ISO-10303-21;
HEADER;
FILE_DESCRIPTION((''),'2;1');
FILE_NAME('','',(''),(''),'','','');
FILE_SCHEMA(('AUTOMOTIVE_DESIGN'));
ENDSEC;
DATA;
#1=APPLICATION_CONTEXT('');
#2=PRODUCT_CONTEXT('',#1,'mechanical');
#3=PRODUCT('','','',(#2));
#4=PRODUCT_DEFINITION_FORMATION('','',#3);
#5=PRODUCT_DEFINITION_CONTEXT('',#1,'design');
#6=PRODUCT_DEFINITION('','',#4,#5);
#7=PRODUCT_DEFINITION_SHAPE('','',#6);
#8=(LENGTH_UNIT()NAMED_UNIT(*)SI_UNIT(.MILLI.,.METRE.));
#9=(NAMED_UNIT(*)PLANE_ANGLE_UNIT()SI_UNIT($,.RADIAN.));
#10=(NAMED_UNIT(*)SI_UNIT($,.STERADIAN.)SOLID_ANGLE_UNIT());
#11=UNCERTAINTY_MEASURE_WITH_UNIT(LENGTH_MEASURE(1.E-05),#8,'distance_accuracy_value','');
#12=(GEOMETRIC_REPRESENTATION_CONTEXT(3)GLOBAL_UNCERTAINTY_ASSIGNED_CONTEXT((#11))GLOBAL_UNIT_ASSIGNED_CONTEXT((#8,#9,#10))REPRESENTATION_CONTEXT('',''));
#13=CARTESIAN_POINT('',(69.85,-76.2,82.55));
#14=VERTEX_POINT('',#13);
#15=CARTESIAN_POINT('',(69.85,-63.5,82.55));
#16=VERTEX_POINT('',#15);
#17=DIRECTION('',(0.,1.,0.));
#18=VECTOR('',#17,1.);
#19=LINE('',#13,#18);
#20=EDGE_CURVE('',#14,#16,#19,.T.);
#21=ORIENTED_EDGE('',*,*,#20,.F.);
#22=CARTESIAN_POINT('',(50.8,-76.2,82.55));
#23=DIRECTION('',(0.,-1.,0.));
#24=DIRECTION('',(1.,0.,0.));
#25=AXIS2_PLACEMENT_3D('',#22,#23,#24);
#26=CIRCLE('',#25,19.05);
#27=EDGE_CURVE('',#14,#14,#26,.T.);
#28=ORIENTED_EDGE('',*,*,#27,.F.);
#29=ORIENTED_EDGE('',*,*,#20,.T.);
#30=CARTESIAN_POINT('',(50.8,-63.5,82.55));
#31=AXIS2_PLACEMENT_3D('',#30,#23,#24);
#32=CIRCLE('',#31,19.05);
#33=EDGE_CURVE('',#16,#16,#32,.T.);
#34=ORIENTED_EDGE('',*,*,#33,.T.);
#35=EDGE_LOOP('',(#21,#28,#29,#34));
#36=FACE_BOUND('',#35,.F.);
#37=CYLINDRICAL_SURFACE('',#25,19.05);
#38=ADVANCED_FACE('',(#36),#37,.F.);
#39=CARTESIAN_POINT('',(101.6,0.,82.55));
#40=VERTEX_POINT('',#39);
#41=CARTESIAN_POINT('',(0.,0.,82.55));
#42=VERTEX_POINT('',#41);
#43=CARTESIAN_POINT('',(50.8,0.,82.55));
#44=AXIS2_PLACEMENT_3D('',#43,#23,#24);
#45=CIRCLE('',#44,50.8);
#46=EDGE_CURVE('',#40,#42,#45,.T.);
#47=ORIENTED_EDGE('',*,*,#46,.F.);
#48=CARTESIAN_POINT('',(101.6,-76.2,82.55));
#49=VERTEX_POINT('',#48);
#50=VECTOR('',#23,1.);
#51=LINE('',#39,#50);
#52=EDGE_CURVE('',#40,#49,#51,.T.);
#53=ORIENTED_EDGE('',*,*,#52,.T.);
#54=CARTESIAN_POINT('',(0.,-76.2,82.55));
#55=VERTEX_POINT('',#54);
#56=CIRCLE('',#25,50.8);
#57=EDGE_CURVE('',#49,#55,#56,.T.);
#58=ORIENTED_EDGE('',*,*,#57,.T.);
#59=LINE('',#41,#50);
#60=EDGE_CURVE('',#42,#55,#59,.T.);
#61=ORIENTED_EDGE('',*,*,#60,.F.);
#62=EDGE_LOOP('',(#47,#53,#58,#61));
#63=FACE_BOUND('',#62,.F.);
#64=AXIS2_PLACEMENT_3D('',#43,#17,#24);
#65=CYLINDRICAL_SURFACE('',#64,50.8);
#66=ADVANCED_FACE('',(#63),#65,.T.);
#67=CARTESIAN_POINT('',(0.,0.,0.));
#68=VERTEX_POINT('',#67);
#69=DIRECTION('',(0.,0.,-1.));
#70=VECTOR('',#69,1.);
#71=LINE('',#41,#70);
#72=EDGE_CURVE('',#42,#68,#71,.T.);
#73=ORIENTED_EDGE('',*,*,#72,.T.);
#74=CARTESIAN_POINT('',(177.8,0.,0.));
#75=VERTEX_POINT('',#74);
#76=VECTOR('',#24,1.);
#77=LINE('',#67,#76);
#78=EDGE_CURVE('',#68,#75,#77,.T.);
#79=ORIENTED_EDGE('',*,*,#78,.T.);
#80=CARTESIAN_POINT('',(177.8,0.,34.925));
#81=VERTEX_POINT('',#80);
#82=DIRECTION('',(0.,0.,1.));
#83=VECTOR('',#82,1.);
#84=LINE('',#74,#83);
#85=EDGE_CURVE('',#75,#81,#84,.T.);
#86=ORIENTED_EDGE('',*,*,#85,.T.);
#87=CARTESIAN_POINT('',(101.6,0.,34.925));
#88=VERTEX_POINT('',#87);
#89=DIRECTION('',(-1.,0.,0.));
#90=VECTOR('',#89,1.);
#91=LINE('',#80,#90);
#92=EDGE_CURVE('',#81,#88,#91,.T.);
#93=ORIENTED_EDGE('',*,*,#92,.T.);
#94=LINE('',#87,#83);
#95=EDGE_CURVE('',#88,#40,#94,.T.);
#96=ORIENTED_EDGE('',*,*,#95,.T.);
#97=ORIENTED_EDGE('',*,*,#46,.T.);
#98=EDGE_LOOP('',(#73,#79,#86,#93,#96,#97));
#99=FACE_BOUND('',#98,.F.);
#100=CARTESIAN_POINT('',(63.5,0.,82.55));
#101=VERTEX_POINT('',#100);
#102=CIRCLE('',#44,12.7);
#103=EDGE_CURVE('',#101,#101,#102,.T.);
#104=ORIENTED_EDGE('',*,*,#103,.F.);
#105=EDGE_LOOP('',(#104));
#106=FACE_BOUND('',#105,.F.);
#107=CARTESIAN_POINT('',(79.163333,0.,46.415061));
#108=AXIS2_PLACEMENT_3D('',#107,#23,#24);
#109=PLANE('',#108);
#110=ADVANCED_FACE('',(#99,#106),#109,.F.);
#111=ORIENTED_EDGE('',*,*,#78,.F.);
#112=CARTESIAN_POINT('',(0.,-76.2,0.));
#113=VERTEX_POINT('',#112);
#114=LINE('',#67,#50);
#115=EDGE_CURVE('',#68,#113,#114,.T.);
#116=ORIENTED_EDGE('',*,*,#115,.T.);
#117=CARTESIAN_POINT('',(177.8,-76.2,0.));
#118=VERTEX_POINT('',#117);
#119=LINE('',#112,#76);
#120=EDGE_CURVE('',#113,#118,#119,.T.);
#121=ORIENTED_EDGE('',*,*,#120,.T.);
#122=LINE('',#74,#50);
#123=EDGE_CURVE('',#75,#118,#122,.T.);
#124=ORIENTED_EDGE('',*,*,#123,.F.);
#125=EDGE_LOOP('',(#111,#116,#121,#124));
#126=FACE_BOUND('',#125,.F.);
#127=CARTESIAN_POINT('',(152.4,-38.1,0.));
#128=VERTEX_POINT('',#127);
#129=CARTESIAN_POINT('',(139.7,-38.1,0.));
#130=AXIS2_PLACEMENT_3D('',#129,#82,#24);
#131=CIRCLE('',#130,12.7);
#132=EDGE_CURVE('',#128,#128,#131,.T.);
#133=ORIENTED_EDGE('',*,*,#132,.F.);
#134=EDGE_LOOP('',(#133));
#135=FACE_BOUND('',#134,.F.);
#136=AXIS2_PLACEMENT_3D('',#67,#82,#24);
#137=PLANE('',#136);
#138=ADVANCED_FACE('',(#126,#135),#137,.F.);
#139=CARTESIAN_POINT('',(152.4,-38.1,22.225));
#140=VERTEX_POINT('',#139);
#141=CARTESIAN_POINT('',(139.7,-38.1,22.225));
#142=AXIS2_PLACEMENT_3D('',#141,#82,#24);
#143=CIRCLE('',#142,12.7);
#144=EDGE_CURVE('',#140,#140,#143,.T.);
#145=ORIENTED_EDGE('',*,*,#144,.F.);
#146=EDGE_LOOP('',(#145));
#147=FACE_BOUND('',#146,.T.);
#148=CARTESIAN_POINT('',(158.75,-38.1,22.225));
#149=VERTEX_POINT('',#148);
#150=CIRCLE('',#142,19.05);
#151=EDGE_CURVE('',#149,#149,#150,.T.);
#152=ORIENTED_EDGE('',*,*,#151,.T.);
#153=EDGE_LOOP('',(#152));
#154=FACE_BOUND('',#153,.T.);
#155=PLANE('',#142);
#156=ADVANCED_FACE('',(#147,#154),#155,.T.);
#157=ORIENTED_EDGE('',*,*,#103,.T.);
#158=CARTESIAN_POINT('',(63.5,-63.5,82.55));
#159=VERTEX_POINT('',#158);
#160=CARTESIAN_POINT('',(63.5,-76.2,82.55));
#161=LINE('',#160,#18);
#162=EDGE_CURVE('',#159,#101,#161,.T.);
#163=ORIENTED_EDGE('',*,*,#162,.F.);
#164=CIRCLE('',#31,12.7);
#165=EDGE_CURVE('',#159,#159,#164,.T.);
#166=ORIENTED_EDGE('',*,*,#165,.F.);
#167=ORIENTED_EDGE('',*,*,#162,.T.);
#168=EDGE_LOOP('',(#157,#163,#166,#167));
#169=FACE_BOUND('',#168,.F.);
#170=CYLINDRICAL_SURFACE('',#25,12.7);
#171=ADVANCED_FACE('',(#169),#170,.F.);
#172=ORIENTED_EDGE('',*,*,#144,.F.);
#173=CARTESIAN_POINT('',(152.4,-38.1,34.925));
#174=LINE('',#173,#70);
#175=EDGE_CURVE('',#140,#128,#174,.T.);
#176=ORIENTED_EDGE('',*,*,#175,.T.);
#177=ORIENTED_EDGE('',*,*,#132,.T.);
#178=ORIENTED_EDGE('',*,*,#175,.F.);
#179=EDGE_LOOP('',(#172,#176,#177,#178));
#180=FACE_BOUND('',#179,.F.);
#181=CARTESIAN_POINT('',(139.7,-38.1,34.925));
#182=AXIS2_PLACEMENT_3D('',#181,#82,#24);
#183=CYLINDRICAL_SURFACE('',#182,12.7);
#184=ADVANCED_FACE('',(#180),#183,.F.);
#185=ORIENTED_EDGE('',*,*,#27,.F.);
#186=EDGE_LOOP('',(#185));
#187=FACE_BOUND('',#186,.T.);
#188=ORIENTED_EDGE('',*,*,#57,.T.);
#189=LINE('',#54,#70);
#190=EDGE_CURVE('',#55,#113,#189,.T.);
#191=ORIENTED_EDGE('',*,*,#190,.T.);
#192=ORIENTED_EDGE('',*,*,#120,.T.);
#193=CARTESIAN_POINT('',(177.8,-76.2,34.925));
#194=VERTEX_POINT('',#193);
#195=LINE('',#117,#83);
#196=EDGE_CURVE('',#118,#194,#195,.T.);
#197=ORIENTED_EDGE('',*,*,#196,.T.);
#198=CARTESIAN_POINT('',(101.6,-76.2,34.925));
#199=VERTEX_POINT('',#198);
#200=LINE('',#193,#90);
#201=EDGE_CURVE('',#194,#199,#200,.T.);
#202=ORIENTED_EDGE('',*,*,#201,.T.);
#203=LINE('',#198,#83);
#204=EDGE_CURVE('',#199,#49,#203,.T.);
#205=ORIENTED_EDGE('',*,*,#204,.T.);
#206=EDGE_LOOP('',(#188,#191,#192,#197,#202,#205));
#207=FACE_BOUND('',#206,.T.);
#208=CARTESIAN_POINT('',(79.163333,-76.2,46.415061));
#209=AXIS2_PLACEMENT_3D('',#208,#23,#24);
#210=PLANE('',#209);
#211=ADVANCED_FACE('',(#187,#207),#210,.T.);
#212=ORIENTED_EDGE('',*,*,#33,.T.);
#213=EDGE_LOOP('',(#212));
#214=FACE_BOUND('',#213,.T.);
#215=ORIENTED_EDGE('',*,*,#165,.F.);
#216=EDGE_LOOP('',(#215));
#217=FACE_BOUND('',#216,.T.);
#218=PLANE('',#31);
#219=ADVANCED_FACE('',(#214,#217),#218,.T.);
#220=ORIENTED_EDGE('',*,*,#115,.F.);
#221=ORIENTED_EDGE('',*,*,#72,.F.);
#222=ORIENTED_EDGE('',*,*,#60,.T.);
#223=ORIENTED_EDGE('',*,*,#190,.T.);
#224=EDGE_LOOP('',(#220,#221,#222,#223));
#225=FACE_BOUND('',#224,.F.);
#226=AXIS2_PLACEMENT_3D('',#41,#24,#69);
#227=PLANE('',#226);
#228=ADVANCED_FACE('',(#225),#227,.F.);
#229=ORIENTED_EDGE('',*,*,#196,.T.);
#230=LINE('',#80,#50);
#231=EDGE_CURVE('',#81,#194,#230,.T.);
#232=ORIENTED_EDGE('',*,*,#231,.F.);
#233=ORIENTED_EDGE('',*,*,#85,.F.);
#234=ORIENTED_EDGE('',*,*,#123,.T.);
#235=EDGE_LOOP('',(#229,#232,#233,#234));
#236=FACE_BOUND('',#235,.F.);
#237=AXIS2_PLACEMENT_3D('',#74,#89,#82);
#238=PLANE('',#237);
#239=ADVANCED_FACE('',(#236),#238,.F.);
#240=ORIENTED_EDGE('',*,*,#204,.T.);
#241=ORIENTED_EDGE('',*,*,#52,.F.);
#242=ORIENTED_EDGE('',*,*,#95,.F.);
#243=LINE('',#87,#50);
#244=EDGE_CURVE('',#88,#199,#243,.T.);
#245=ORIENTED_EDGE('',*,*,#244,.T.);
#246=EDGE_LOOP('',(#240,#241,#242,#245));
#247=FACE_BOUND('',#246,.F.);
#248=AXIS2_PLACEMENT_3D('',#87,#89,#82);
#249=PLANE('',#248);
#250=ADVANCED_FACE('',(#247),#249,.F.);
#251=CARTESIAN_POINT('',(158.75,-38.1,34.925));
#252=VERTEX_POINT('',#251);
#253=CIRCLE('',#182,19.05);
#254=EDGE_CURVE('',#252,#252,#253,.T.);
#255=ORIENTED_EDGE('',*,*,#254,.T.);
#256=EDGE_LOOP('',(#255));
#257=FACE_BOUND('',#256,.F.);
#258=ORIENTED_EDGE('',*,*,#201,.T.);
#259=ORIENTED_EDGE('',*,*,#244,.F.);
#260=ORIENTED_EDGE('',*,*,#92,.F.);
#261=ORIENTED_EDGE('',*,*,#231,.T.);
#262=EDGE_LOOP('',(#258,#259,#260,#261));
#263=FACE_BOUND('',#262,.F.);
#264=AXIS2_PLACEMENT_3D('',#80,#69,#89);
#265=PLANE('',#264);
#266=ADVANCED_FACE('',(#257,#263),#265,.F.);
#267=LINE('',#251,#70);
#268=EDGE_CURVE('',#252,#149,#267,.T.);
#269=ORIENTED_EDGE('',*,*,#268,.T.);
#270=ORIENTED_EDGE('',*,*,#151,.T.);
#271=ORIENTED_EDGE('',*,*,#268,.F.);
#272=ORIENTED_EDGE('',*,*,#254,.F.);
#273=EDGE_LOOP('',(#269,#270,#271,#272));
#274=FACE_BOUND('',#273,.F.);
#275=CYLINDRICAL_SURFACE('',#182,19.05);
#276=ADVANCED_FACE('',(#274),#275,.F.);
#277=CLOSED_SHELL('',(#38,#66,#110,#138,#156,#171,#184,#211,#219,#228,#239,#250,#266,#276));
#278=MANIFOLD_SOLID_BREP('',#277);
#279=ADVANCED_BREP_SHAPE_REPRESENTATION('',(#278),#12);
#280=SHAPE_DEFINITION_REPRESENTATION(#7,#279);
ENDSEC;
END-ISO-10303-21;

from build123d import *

# Parameters (mm, degrees)
F1_DEPTH = 76.2
F2_R     = 19.05
F3_DEPTH = 12.7
F4_R     = 12.7
F5_DEPTH = 76.201
F6_R     = 19.05
F7_DEPTH = 12.7
F8_R     = 12.7
F9_DEPTH = 34.926


with BuildPart() as f1:
    # F0 (on Front) → F1 (new body)
    with BuildSketch(Plane.XZ):
        with BuildLine():
            Line((0, 82.55), (0, 0))
            Line((0, 0), (177.8, 0))
            Line((177.8, 0), (177.8, 34.925))
            Line((177.8, 34.925), (101.6, 34.925))
            Line((101.6, 34.925), (101.6, 82.55))
            ThreePointArc((101.6, 82.55), (50.8, 133.35), (0, 82.55))
        make_face()
    extrude(amount=F1_DEPTH)

    # F2 (on face) → F3 (cut)
    with BuildSketch(Plane.XZ.offset(76.2)):
        with Locations((50.8, 82.55)):
            Circle(F2_R)
    extrude(amount=-F3_DEPTH, mode=Mode.SUBTRACT)

    # F4 (on face) → F5 (cut, through all)
    with BuildSketch(Plane.XZ.offset(76.2)):
        with Locations((50.8, 82.55)):
            Circle(F4_R)
    extrude(amount=-F5_DEPTH, mode=Mode.SUBTRACT)

    # F6 (on face) → F7 (cut)
    with BuildSketch(Plane.XY.offset(34.925)):
        with Locations((139.7, -38.1)):
            Circle(F6_R)
    extrude(amount=-F7_DEPTH, mode=Mode.SUBTRACT)

    # F8 (on face) → F9 (cut, through all)
    with BuildSketch(Plane.XY.offset(34.925)):
        with Locations((139.7, -38.1)):
            Circle(F8_R)
    extrude(amount=-F9_DEPTH, mode=Mode.SUBTRACT)


solid = f1.part
